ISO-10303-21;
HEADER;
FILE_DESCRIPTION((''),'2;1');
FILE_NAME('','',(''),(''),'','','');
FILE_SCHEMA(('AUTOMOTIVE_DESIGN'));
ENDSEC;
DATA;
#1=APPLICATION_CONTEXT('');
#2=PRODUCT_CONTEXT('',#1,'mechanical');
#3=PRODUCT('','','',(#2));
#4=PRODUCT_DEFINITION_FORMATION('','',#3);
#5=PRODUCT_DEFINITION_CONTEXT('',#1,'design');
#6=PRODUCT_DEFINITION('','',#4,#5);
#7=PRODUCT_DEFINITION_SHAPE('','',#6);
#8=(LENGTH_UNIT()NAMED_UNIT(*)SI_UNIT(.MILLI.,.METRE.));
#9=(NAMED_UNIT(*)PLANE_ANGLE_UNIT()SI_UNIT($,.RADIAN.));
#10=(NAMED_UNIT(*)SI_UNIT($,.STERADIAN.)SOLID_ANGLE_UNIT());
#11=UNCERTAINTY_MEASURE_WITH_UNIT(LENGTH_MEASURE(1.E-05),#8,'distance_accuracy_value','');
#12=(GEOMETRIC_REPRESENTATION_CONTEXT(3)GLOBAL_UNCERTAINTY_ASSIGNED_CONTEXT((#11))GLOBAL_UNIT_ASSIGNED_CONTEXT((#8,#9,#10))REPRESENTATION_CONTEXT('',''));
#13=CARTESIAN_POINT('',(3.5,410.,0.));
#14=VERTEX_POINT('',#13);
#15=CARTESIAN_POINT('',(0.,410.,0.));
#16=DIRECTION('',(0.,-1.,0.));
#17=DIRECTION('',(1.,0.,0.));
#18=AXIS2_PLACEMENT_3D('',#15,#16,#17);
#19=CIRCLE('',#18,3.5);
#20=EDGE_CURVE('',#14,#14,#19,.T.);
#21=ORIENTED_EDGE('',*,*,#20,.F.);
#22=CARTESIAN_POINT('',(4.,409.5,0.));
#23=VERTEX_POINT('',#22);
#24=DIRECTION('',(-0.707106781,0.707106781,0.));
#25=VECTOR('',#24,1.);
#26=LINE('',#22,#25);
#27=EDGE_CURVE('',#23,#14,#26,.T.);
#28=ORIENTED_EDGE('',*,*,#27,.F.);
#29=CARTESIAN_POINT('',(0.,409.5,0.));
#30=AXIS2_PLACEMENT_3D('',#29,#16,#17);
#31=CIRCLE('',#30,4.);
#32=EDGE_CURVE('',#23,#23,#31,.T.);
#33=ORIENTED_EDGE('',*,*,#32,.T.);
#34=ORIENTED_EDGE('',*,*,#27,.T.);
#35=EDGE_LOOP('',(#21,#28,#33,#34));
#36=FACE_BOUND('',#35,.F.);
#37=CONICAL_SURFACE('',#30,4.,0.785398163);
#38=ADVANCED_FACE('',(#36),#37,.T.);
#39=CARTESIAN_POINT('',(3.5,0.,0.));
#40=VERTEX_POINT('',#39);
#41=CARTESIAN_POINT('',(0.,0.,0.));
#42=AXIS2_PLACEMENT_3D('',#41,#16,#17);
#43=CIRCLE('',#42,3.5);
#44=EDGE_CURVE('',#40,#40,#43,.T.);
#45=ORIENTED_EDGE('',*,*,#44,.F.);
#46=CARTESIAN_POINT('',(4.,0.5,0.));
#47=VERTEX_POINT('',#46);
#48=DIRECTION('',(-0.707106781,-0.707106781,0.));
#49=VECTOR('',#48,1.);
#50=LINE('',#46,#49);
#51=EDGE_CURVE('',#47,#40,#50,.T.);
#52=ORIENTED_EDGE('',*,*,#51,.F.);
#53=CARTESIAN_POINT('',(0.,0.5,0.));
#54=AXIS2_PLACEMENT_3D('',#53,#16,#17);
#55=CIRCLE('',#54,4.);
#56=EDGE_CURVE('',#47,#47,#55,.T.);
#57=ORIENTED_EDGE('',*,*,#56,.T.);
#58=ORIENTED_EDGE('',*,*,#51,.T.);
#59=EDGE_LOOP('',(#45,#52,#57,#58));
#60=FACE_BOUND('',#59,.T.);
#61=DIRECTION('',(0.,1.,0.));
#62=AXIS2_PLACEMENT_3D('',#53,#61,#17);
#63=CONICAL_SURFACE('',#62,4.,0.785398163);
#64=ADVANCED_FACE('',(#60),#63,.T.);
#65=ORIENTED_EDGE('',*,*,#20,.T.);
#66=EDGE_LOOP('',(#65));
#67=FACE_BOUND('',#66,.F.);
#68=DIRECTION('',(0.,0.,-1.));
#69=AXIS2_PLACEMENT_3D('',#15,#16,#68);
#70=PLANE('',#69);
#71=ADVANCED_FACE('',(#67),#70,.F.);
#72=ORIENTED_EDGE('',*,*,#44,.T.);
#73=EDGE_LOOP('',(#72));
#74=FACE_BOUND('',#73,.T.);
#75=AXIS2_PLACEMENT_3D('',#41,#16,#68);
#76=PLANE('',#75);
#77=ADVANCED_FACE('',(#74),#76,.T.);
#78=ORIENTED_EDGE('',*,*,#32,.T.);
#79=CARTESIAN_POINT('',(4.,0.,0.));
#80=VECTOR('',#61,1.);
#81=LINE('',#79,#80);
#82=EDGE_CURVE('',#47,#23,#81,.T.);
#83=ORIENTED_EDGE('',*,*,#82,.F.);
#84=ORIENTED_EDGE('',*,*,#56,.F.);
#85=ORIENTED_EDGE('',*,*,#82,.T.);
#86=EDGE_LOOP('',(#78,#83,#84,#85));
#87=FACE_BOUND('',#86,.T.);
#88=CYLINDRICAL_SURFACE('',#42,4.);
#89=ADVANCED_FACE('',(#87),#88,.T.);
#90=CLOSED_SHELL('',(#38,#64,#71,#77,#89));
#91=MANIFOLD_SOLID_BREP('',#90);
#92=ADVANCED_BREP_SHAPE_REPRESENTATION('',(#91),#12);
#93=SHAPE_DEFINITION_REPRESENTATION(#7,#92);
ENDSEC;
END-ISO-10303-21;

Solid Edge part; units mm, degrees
sketch "Sketch1" plane through (0, 0, 0) normal (0, -1, 0) x (1, 0, 0)
  circle A0 centre (0, 0) radius 4
extrude "Protrusion1" add sketch "Sketch1" against normal blind 410
chamfer "Chamfer_1" distance 0.5 angle 45 2 edges at (-4, 0, 0) (-4, 410, 0)
